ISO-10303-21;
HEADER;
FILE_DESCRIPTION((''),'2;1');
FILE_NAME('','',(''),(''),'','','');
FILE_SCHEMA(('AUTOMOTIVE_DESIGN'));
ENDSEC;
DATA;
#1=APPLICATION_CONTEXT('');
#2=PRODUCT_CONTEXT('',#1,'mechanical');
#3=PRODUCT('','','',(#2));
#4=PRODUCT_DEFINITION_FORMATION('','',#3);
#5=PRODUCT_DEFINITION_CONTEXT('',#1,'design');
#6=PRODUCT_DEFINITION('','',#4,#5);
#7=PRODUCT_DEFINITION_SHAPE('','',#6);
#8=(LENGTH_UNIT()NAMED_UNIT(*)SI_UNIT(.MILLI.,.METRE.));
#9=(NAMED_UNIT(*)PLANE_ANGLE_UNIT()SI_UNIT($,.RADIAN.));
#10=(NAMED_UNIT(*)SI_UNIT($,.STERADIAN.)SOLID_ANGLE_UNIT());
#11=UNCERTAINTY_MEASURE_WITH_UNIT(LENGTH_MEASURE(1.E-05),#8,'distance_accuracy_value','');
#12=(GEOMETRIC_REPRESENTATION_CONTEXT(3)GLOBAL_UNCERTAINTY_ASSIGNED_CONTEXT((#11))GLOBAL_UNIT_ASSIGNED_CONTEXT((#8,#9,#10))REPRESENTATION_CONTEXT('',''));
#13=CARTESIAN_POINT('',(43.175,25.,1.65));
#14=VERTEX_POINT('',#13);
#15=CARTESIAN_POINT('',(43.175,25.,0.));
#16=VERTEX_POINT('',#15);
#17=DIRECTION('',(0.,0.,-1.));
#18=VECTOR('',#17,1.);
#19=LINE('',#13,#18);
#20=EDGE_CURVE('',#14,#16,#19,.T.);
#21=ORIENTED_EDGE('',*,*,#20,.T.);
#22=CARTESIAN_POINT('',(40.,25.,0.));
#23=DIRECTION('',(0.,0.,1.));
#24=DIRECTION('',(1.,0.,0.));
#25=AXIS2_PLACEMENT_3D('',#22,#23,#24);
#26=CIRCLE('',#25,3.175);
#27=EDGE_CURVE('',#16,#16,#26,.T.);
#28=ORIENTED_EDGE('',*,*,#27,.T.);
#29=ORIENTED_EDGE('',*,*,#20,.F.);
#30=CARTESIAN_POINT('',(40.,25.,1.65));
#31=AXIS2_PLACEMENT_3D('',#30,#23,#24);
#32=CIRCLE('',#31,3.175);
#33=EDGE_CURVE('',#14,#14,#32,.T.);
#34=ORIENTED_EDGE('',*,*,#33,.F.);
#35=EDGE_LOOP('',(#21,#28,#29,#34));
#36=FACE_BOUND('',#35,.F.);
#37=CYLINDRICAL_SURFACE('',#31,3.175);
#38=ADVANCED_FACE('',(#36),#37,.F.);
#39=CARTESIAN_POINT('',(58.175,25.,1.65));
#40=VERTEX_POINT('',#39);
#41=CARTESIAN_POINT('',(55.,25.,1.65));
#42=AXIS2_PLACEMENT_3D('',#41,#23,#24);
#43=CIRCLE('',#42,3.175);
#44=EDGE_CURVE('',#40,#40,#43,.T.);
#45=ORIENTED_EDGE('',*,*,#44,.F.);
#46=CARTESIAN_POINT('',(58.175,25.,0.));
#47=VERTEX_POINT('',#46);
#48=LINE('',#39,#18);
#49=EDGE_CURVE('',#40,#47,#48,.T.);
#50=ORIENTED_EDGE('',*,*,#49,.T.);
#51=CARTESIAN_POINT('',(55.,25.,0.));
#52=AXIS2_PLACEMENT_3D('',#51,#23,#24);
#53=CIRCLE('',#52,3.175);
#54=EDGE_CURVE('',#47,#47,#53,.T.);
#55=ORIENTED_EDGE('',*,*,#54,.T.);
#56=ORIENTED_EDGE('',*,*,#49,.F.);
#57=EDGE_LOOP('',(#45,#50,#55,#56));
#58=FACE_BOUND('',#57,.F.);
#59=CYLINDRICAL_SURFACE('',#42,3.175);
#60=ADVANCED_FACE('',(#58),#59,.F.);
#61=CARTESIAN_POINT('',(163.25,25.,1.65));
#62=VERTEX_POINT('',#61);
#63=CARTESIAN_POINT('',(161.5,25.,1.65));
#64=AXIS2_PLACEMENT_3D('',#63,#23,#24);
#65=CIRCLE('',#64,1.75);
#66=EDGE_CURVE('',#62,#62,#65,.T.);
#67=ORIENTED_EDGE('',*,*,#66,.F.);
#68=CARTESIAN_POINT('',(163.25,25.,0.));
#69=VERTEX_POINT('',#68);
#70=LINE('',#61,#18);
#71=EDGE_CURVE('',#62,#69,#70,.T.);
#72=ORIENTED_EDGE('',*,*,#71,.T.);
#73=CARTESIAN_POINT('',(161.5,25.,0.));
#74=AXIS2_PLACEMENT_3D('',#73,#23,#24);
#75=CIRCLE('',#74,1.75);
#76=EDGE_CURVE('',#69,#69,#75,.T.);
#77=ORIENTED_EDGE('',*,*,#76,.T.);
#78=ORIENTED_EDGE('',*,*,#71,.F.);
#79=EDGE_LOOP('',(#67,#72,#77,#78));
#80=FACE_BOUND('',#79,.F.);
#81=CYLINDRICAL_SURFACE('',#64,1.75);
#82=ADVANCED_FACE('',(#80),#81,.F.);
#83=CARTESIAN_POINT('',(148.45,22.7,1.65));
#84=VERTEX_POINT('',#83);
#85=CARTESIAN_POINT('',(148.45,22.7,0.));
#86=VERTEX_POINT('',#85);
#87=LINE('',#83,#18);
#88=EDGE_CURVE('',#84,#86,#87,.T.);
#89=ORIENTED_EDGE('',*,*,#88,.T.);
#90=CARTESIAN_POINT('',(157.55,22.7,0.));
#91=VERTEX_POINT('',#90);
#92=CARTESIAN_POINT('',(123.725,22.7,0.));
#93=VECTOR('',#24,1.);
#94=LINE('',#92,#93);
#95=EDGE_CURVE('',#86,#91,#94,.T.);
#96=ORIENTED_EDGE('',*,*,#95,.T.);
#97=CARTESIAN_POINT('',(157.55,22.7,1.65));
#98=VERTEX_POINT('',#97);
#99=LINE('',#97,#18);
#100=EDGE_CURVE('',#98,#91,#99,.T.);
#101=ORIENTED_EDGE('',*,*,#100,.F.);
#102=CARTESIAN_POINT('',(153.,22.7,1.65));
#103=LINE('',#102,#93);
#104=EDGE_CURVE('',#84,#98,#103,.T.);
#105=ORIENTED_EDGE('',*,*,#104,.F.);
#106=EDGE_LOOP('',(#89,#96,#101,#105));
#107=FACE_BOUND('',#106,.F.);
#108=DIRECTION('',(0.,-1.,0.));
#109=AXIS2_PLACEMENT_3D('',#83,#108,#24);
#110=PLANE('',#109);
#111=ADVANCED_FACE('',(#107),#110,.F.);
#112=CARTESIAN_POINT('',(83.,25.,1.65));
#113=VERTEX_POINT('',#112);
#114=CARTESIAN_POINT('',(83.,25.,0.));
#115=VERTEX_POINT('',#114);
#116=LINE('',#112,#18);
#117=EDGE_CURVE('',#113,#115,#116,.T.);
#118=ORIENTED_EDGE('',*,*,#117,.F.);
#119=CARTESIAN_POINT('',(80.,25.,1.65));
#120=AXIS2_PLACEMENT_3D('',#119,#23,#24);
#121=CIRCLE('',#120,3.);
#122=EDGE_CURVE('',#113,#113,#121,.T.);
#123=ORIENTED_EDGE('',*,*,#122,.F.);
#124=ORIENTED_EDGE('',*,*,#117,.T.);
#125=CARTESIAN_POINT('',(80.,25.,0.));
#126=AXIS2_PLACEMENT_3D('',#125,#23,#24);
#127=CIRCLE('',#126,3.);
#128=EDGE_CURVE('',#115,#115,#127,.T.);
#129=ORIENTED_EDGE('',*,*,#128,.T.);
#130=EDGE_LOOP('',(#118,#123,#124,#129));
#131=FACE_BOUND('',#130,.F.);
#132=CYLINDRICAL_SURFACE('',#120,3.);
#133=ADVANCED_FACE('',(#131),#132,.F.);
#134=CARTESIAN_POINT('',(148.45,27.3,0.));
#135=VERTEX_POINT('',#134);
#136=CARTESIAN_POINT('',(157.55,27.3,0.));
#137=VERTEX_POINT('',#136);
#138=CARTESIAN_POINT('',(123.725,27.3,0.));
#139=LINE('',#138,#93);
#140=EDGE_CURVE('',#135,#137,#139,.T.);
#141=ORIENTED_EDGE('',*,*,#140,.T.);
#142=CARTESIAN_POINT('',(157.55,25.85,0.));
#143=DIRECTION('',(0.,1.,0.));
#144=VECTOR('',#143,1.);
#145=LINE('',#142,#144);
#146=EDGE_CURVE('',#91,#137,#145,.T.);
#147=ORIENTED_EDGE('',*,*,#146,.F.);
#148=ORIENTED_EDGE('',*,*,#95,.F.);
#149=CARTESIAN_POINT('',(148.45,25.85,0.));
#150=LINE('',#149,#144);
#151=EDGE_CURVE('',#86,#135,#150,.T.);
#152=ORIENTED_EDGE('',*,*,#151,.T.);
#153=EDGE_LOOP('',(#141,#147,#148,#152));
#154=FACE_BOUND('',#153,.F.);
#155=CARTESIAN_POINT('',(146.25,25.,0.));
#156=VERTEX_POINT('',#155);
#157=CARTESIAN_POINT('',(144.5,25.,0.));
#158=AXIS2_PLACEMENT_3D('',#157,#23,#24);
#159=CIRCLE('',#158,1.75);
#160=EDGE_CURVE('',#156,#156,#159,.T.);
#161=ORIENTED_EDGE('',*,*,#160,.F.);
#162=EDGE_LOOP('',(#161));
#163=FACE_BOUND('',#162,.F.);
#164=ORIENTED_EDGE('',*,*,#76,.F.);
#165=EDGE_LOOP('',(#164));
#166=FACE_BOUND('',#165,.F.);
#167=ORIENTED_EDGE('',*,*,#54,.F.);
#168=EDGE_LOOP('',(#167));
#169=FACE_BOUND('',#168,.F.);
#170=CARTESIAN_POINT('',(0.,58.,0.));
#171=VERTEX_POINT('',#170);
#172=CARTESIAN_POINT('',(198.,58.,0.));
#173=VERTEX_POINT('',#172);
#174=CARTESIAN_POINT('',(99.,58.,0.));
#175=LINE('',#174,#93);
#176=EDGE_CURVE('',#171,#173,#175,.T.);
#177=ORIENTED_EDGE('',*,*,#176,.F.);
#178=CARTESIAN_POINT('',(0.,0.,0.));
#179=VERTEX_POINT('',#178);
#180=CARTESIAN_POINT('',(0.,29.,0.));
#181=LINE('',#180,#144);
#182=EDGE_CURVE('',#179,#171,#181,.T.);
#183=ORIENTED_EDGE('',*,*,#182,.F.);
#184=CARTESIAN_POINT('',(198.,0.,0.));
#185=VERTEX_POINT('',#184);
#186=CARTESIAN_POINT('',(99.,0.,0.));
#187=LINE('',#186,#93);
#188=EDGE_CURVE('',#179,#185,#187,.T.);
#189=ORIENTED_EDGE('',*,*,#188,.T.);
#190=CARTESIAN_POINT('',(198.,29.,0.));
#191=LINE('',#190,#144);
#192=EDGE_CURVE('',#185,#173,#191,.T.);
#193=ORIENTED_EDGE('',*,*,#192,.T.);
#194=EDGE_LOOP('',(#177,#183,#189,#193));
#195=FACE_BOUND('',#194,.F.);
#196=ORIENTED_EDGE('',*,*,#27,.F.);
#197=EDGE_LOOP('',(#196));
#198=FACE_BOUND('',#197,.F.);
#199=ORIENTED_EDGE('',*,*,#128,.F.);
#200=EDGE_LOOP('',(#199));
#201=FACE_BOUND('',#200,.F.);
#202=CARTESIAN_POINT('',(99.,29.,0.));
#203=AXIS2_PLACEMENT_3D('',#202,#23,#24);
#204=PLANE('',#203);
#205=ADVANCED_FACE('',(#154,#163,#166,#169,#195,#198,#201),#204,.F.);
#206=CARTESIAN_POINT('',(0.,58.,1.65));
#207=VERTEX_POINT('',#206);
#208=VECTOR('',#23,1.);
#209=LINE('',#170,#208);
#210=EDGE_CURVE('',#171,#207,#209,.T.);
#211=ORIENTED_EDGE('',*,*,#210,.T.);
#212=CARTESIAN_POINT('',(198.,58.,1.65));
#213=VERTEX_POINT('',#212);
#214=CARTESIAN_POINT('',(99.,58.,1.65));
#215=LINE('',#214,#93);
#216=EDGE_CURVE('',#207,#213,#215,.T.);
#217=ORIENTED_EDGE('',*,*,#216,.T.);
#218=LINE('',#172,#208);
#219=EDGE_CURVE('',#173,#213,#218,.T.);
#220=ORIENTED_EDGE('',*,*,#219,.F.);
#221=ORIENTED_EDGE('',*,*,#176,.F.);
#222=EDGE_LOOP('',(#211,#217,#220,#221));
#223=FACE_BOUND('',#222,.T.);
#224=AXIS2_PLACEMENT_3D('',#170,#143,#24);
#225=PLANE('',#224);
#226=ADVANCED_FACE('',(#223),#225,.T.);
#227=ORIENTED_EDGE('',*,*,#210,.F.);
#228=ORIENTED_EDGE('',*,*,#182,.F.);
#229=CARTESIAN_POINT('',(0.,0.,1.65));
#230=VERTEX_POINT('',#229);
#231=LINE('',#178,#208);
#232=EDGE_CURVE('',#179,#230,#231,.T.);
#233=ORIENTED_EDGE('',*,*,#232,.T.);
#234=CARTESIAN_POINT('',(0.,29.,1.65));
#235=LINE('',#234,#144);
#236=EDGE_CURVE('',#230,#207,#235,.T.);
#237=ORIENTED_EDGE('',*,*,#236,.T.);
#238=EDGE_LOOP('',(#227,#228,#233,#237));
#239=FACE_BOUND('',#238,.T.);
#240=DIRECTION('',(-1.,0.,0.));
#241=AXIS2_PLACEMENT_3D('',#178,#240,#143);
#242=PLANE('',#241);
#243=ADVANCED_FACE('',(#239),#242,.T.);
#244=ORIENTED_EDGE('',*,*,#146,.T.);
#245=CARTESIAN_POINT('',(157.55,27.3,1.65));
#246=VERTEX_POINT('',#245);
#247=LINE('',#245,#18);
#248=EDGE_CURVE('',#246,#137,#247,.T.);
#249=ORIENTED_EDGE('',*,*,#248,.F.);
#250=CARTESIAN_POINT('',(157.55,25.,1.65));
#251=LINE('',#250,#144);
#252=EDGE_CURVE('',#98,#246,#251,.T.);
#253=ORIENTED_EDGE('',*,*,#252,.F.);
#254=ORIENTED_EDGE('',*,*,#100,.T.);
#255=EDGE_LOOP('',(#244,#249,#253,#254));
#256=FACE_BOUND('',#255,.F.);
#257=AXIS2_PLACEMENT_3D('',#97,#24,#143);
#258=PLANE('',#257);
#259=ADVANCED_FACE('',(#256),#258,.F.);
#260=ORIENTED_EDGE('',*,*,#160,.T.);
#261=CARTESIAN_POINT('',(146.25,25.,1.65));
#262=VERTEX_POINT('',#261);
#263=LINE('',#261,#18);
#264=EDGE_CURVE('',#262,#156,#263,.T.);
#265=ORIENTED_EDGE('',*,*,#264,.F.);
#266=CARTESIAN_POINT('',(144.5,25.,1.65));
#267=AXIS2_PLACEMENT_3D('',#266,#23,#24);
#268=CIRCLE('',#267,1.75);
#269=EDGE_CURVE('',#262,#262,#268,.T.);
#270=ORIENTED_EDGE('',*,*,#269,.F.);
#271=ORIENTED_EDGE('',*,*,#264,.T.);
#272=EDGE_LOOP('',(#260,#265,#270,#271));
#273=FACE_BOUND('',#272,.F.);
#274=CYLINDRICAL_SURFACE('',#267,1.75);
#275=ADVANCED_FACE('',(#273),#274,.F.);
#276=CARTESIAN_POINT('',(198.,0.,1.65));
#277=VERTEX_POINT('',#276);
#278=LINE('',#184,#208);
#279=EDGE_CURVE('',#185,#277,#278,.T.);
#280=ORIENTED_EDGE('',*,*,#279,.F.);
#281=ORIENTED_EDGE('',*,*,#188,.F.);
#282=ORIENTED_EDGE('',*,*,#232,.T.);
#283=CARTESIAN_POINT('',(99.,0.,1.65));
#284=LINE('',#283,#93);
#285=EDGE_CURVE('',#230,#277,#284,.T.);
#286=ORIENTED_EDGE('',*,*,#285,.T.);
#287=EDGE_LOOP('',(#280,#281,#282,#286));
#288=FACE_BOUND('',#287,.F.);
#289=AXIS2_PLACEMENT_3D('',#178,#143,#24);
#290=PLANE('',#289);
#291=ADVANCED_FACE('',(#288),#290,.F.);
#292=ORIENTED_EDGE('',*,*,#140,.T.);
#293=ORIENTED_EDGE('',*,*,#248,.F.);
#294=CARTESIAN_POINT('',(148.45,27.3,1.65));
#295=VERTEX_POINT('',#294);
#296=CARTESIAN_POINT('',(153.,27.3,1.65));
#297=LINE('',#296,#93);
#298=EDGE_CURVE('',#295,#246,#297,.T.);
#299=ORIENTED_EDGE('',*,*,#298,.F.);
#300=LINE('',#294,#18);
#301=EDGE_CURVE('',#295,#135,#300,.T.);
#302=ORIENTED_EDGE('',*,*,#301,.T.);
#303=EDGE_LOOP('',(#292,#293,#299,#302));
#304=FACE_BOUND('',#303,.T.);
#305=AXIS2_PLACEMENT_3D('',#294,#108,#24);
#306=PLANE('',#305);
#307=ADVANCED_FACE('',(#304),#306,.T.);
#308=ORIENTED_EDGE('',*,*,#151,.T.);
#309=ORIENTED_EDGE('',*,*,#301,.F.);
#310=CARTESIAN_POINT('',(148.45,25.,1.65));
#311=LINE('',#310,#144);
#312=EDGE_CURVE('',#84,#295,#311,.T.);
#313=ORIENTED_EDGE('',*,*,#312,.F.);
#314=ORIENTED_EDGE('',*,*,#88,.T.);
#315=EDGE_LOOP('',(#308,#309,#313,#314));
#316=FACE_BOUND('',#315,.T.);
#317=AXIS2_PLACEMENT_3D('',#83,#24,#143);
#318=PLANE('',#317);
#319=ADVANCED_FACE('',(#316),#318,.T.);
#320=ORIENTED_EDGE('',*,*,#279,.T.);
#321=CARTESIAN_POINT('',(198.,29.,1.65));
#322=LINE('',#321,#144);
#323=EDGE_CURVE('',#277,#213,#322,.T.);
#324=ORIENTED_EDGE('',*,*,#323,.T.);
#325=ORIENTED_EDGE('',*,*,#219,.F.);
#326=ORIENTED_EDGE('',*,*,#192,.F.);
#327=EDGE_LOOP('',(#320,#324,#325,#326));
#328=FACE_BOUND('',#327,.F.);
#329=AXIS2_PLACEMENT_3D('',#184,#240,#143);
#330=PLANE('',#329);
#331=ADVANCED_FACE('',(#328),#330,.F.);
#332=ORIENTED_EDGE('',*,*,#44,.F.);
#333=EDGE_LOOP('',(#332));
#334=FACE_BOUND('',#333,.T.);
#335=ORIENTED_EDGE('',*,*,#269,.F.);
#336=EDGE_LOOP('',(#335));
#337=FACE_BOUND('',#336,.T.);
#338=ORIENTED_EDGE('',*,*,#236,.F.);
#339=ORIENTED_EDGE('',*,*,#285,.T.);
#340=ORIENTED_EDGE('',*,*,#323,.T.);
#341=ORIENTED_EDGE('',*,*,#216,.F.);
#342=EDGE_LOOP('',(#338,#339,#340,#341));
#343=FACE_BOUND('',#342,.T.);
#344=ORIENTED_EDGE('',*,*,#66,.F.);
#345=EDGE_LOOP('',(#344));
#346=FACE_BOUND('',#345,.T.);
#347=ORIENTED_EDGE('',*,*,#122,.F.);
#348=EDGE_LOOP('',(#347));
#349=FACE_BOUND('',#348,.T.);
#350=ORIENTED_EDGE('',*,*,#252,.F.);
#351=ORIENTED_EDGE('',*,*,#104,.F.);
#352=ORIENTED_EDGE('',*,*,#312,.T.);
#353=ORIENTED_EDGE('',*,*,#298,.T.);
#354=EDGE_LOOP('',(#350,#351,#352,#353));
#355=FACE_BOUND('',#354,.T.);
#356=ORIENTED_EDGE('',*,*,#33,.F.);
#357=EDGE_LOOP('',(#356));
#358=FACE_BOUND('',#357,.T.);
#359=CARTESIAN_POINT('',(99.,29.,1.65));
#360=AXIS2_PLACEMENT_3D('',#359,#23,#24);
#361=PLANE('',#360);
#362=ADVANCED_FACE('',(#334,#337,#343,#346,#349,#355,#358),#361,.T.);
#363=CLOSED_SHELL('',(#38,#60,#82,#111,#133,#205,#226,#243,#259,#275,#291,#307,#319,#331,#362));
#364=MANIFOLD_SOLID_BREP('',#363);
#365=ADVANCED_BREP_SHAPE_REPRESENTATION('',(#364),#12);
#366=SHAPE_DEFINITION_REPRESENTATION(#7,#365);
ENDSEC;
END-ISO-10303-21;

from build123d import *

# Parameters (mm, degrees)
SKETCH_W      = 198
SKETCH_H      = 58
PAD_DEPTH     = 1.65
SKETCH001_R   = 1.75
SKETCH001_R_2 = 3
SKETCH001_R_3 = 3.175
SKETCH001_W   = 9.1
SKETCH001_H   = 4.6
POCKET_DEPTH  = 5


with BuildPart() as part:
    # Sketch → Pad (new body)
    with BuildSketch(Plane.XY):
        with Locations((99, 29)):
            Rectangle(SKETCH_W, SKETCH_H)
    extrude(amount=PAD_DEPTH)

    # Sketch001 (on Face6 of Pad) → Pocket (cut)
    with BuildSketch(Plane.XY.offset(1.65)):
        with Locations((144.5, 25)):
            Circle(SKETCH001_R)
        with Locations((161.5, 25)):
            Circle(SKETCH001_R)
        with Locations((80, 25)):
            Circle(SKETCH001_R_2)
        with Locations((40, 25)):
            Circle(SKETCH001_R_3)
        with Locations((55, 25)):
            Circle(SKETCH001_R_3)
        with Locations((153, 25)):
            Rectangle(SKETCH001_W, SKETCH001_H)
    extrude(amount=-POCKET_DEPTH, mode=Mode.SUBTRACT)


solid = part.part
